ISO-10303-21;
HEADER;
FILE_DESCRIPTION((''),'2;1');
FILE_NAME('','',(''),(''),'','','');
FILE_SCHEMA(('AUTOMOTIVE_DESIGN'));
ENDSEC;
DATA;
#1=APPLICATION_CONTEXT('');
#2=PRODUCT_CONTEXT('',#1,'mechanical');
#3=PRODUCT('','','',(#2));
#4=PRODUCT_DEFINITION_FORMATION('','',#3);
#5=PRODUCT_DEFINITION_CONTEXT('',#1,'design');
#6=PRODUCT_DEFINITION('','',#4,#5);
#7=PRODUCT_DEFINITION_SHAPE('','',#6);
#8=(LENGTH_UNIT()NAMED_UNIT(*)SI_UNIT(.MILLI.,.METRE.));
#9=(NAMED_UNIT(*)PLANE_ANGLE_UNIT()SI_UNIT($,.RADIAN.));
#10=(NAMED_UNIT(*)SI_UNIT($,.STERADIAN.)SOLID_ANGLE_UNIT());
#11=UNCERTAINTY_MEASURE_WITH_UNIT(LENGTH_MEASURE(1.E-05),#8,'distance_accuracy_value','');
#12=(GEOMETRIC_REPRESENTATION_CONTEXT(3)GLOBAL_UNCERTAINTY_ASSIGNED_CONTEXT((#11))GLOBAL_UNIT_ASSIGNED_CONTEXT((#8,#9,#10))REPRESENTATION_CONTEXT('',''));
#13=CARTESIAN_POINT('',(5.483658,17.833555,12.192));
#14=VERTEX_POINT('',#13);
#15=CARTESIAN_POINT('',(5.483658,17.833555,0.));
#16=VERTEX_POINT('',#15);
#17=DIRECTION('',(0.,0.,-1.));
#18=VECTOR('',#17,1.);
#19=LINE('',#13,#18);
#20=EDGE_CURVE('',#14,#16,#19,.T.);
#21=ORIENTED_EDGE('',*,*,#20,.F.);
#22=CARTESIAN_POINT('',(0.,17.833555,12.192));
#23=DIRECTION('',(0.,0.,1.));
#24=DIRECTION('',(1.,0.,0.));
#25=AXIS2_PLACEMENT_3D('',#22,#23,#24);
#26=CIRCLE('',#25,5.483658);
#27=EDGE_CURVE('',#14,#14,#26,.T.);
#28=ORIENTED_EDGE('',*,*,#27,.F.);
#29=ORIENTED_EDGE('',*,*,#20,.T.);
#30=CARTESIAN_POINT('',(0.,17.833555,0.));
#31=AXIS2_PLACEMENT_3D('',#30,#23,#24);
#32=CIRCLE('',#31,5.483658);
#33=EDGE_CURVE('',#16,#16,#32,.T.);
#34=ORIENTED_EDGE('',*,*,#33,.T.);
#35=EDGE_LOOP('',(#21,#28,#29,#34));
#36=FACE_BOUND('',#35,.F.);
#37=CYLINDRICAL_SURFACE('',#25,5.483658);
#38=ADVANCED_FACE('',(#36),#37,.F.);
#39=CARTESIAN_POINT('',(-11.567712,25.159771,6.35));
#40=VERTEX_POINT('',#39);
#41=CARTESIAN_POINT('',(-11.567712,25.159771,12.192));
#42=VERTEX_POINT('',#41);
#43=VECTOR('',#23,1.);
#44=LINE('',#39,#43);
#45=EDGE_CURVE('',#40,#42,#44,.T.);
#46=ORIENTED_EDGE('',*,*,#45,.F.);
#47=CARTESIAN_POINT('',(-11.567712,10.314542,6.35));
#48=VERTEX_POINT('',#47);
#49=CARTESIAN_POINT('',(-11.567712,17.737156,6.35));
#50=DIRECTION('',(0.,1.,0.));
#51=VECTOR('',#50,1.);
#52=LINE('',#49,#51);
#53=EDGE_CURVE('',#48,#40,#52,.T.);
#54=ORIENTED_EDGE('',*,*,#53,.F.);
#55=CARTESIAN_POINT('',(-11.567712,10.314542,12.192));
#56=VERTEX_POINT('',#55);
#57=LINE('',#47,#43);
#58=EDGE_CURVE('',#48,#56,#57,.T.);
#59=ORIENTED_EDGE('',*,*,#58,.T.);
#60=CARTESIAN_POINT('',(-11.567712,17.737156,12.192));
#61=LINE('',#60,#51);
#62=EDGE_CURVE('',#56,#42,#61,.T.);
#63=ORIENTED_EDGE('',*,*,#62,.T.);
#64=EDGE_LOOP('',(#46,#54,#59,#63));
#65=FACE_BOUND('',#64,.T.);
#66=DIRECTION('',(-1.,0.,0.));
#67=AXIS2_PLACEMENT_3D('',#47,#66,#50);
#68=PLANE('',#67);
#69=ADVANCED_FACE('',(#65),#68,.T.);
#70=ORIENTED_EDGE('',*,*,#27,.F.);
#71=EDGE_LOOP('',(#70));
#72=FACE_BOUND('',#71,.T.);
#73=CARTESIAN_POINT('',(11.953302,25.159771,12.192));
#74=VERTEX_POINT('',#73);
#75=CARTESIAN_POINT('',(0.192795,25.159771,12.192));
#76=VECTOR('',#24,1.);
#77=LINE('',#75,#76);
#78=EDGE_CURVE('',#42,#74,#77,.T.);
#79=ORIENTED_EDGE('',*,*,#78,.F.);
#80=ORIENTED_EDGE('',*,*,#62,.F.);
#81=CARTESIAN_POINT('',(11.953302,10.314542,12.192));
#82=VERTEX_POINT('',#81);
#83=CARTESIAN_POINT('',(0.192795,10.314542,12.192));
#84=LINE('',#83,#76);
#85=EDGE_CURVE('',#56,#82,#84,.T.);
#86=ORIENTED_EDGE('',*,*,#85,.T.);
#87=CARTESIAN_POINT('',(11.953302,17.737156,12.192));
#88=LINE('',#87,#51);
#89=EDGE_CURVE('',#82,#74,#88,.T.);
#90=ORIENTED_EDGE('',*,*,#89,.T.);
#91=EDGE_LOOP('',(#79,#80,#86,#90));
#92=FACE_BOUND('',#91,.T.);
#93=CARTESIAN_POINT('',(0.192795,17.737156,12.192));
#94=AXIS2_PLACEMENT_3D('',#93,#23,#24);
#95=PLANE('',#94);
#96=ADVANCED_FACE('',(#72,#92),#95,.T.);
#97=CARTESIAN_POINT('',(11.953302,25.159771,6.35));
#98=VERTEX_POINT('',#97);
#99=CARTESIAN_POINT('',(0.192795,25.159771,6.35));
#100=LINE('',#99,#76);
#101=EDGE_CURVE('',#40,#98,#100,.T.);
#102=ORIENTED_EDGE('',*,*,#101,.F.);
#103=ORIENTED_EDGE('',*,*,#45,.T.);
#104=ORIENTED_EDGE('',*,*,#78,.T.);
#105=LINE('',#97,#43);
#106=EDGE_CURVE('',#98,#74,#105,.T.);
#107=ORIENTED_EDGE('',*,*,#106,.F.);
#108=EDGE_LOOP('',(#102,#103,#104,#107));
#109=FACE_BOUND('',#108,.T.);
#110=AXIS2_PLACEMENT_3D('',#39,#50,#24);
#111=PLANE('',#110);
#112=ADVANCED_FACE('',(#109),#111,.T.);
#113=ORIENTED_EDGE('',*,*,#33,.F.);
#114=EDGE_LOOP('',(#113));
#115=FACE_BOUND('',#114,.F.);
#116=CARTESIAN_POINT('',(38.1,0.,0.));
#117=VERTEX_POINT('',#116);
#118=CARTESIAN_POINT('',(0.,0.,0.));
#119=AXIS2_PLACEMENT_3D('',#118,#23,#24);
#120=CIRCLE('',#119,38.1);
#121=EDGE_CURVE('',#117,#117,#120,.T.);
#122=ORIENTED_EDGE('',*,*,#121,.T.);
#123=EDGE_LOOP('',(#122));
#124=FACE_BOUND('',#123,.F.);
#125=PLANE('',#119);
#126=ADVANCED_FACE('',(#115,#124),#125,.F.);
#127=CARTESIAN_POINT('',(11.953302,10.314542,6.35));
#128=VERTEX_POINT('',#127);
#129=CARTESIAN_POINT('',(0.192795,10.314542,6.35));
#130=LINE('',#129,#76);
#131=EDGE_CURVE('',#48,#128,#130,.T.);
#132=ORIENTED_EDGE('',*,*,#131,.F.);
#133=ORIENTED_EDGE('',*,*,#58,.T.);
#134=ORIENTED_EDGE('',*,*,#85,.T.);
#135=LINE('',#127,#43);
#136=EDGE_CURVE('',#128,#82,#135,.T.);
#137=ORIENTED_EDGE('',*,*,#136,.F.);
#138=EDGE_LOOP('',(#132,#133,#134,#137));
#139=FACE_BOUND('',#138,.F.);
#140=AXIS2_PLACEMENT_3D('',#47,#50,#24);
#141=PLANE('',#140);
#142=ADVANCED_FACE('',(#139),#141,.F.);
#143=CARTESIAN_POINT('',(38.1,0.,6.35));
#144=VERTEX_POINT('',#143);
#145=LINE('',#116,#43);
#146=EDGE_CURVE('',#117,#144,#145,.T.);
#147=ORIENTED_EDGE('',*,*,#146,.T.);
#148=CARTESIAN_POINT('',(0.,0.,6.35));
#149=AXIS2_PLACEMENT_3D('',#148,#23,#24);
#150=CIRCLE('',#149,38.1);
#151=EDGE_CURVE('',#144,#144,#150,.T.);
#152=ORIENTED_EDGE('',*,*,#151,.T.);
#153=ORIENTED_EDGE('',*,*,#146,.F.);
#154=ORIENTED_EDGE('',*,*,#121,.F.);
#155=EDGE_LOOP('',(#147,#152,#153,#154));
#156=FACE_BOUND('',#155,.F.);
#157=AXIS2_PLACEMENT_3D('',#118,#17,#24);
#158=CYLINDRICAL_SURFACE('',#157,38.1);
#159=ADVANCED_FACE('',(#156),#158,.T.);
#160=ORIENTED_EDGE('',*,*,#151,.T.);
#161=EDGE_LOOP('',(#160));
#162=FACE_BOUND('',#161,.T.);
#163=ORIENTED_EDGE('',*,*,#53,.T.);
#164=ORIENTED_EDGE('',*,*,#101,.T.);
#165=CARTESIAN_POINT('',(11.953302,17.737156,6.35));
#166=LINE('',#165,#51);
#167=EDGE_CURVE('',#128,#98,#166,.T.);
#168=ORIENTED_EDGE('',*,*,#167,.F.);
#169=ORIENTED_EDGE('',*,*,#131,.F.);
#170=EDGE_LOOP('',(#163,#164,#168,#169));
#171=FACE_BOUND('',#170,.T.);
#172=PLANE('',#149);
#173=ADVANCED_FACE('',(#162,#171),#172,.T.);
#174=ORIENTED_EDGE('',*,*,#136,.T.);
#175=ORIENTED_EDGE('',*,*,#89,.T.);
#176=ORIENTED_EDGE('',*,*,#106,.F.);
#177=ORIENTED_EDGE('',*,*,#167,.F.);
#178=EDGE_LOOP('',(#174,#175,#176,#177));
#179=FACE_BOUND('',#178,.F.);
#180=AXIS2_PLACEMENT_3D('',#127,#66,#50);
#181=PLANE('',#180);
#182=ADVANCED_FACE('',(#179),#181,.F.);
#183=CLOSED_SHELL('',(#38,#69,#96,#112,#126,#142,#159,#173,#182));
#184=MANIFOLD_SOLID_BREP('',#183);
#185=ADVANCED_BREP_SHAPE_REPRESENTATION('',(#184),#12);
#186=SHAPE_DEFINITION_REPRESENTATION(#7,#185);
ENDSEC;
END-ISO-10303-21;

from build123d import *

# Parameters (mm, degrees)
F0_R     = 38.1
F1_DEPTH = 6.35
F2_W     = 23.521014
F2_H     = 14.845229
F3_DEPTH = 5.842
F4_R     = 5.483658
F5_DEPTH = 27.94


with BuildPart() as f1:
    # F0 (on Top) → F1 (new body)
    with BuildSketch(Plane.XY):
        Circle(F0_R)
    extrude(amount=F1_DEPTH)

    # F2 (on face) → F3 (join)
    with BuildSketch(Plane.XY.offset(6.35)):
        with Locations((0.192795, 17.737156)):
            Rectangle(F2_W, F2_H)
    extrude(amount=F3_DEPTH)

    # F4 (on face) → F5 (cut)
    with BuildSketch(Plane.XY.offset(12.192)):
        with Locations((0, 17.833555)):
            Circle(F4_R)
    extrude(amount=-F5_DEPTH, mode=Mode.SUBTRACT)


solid = f1.part
